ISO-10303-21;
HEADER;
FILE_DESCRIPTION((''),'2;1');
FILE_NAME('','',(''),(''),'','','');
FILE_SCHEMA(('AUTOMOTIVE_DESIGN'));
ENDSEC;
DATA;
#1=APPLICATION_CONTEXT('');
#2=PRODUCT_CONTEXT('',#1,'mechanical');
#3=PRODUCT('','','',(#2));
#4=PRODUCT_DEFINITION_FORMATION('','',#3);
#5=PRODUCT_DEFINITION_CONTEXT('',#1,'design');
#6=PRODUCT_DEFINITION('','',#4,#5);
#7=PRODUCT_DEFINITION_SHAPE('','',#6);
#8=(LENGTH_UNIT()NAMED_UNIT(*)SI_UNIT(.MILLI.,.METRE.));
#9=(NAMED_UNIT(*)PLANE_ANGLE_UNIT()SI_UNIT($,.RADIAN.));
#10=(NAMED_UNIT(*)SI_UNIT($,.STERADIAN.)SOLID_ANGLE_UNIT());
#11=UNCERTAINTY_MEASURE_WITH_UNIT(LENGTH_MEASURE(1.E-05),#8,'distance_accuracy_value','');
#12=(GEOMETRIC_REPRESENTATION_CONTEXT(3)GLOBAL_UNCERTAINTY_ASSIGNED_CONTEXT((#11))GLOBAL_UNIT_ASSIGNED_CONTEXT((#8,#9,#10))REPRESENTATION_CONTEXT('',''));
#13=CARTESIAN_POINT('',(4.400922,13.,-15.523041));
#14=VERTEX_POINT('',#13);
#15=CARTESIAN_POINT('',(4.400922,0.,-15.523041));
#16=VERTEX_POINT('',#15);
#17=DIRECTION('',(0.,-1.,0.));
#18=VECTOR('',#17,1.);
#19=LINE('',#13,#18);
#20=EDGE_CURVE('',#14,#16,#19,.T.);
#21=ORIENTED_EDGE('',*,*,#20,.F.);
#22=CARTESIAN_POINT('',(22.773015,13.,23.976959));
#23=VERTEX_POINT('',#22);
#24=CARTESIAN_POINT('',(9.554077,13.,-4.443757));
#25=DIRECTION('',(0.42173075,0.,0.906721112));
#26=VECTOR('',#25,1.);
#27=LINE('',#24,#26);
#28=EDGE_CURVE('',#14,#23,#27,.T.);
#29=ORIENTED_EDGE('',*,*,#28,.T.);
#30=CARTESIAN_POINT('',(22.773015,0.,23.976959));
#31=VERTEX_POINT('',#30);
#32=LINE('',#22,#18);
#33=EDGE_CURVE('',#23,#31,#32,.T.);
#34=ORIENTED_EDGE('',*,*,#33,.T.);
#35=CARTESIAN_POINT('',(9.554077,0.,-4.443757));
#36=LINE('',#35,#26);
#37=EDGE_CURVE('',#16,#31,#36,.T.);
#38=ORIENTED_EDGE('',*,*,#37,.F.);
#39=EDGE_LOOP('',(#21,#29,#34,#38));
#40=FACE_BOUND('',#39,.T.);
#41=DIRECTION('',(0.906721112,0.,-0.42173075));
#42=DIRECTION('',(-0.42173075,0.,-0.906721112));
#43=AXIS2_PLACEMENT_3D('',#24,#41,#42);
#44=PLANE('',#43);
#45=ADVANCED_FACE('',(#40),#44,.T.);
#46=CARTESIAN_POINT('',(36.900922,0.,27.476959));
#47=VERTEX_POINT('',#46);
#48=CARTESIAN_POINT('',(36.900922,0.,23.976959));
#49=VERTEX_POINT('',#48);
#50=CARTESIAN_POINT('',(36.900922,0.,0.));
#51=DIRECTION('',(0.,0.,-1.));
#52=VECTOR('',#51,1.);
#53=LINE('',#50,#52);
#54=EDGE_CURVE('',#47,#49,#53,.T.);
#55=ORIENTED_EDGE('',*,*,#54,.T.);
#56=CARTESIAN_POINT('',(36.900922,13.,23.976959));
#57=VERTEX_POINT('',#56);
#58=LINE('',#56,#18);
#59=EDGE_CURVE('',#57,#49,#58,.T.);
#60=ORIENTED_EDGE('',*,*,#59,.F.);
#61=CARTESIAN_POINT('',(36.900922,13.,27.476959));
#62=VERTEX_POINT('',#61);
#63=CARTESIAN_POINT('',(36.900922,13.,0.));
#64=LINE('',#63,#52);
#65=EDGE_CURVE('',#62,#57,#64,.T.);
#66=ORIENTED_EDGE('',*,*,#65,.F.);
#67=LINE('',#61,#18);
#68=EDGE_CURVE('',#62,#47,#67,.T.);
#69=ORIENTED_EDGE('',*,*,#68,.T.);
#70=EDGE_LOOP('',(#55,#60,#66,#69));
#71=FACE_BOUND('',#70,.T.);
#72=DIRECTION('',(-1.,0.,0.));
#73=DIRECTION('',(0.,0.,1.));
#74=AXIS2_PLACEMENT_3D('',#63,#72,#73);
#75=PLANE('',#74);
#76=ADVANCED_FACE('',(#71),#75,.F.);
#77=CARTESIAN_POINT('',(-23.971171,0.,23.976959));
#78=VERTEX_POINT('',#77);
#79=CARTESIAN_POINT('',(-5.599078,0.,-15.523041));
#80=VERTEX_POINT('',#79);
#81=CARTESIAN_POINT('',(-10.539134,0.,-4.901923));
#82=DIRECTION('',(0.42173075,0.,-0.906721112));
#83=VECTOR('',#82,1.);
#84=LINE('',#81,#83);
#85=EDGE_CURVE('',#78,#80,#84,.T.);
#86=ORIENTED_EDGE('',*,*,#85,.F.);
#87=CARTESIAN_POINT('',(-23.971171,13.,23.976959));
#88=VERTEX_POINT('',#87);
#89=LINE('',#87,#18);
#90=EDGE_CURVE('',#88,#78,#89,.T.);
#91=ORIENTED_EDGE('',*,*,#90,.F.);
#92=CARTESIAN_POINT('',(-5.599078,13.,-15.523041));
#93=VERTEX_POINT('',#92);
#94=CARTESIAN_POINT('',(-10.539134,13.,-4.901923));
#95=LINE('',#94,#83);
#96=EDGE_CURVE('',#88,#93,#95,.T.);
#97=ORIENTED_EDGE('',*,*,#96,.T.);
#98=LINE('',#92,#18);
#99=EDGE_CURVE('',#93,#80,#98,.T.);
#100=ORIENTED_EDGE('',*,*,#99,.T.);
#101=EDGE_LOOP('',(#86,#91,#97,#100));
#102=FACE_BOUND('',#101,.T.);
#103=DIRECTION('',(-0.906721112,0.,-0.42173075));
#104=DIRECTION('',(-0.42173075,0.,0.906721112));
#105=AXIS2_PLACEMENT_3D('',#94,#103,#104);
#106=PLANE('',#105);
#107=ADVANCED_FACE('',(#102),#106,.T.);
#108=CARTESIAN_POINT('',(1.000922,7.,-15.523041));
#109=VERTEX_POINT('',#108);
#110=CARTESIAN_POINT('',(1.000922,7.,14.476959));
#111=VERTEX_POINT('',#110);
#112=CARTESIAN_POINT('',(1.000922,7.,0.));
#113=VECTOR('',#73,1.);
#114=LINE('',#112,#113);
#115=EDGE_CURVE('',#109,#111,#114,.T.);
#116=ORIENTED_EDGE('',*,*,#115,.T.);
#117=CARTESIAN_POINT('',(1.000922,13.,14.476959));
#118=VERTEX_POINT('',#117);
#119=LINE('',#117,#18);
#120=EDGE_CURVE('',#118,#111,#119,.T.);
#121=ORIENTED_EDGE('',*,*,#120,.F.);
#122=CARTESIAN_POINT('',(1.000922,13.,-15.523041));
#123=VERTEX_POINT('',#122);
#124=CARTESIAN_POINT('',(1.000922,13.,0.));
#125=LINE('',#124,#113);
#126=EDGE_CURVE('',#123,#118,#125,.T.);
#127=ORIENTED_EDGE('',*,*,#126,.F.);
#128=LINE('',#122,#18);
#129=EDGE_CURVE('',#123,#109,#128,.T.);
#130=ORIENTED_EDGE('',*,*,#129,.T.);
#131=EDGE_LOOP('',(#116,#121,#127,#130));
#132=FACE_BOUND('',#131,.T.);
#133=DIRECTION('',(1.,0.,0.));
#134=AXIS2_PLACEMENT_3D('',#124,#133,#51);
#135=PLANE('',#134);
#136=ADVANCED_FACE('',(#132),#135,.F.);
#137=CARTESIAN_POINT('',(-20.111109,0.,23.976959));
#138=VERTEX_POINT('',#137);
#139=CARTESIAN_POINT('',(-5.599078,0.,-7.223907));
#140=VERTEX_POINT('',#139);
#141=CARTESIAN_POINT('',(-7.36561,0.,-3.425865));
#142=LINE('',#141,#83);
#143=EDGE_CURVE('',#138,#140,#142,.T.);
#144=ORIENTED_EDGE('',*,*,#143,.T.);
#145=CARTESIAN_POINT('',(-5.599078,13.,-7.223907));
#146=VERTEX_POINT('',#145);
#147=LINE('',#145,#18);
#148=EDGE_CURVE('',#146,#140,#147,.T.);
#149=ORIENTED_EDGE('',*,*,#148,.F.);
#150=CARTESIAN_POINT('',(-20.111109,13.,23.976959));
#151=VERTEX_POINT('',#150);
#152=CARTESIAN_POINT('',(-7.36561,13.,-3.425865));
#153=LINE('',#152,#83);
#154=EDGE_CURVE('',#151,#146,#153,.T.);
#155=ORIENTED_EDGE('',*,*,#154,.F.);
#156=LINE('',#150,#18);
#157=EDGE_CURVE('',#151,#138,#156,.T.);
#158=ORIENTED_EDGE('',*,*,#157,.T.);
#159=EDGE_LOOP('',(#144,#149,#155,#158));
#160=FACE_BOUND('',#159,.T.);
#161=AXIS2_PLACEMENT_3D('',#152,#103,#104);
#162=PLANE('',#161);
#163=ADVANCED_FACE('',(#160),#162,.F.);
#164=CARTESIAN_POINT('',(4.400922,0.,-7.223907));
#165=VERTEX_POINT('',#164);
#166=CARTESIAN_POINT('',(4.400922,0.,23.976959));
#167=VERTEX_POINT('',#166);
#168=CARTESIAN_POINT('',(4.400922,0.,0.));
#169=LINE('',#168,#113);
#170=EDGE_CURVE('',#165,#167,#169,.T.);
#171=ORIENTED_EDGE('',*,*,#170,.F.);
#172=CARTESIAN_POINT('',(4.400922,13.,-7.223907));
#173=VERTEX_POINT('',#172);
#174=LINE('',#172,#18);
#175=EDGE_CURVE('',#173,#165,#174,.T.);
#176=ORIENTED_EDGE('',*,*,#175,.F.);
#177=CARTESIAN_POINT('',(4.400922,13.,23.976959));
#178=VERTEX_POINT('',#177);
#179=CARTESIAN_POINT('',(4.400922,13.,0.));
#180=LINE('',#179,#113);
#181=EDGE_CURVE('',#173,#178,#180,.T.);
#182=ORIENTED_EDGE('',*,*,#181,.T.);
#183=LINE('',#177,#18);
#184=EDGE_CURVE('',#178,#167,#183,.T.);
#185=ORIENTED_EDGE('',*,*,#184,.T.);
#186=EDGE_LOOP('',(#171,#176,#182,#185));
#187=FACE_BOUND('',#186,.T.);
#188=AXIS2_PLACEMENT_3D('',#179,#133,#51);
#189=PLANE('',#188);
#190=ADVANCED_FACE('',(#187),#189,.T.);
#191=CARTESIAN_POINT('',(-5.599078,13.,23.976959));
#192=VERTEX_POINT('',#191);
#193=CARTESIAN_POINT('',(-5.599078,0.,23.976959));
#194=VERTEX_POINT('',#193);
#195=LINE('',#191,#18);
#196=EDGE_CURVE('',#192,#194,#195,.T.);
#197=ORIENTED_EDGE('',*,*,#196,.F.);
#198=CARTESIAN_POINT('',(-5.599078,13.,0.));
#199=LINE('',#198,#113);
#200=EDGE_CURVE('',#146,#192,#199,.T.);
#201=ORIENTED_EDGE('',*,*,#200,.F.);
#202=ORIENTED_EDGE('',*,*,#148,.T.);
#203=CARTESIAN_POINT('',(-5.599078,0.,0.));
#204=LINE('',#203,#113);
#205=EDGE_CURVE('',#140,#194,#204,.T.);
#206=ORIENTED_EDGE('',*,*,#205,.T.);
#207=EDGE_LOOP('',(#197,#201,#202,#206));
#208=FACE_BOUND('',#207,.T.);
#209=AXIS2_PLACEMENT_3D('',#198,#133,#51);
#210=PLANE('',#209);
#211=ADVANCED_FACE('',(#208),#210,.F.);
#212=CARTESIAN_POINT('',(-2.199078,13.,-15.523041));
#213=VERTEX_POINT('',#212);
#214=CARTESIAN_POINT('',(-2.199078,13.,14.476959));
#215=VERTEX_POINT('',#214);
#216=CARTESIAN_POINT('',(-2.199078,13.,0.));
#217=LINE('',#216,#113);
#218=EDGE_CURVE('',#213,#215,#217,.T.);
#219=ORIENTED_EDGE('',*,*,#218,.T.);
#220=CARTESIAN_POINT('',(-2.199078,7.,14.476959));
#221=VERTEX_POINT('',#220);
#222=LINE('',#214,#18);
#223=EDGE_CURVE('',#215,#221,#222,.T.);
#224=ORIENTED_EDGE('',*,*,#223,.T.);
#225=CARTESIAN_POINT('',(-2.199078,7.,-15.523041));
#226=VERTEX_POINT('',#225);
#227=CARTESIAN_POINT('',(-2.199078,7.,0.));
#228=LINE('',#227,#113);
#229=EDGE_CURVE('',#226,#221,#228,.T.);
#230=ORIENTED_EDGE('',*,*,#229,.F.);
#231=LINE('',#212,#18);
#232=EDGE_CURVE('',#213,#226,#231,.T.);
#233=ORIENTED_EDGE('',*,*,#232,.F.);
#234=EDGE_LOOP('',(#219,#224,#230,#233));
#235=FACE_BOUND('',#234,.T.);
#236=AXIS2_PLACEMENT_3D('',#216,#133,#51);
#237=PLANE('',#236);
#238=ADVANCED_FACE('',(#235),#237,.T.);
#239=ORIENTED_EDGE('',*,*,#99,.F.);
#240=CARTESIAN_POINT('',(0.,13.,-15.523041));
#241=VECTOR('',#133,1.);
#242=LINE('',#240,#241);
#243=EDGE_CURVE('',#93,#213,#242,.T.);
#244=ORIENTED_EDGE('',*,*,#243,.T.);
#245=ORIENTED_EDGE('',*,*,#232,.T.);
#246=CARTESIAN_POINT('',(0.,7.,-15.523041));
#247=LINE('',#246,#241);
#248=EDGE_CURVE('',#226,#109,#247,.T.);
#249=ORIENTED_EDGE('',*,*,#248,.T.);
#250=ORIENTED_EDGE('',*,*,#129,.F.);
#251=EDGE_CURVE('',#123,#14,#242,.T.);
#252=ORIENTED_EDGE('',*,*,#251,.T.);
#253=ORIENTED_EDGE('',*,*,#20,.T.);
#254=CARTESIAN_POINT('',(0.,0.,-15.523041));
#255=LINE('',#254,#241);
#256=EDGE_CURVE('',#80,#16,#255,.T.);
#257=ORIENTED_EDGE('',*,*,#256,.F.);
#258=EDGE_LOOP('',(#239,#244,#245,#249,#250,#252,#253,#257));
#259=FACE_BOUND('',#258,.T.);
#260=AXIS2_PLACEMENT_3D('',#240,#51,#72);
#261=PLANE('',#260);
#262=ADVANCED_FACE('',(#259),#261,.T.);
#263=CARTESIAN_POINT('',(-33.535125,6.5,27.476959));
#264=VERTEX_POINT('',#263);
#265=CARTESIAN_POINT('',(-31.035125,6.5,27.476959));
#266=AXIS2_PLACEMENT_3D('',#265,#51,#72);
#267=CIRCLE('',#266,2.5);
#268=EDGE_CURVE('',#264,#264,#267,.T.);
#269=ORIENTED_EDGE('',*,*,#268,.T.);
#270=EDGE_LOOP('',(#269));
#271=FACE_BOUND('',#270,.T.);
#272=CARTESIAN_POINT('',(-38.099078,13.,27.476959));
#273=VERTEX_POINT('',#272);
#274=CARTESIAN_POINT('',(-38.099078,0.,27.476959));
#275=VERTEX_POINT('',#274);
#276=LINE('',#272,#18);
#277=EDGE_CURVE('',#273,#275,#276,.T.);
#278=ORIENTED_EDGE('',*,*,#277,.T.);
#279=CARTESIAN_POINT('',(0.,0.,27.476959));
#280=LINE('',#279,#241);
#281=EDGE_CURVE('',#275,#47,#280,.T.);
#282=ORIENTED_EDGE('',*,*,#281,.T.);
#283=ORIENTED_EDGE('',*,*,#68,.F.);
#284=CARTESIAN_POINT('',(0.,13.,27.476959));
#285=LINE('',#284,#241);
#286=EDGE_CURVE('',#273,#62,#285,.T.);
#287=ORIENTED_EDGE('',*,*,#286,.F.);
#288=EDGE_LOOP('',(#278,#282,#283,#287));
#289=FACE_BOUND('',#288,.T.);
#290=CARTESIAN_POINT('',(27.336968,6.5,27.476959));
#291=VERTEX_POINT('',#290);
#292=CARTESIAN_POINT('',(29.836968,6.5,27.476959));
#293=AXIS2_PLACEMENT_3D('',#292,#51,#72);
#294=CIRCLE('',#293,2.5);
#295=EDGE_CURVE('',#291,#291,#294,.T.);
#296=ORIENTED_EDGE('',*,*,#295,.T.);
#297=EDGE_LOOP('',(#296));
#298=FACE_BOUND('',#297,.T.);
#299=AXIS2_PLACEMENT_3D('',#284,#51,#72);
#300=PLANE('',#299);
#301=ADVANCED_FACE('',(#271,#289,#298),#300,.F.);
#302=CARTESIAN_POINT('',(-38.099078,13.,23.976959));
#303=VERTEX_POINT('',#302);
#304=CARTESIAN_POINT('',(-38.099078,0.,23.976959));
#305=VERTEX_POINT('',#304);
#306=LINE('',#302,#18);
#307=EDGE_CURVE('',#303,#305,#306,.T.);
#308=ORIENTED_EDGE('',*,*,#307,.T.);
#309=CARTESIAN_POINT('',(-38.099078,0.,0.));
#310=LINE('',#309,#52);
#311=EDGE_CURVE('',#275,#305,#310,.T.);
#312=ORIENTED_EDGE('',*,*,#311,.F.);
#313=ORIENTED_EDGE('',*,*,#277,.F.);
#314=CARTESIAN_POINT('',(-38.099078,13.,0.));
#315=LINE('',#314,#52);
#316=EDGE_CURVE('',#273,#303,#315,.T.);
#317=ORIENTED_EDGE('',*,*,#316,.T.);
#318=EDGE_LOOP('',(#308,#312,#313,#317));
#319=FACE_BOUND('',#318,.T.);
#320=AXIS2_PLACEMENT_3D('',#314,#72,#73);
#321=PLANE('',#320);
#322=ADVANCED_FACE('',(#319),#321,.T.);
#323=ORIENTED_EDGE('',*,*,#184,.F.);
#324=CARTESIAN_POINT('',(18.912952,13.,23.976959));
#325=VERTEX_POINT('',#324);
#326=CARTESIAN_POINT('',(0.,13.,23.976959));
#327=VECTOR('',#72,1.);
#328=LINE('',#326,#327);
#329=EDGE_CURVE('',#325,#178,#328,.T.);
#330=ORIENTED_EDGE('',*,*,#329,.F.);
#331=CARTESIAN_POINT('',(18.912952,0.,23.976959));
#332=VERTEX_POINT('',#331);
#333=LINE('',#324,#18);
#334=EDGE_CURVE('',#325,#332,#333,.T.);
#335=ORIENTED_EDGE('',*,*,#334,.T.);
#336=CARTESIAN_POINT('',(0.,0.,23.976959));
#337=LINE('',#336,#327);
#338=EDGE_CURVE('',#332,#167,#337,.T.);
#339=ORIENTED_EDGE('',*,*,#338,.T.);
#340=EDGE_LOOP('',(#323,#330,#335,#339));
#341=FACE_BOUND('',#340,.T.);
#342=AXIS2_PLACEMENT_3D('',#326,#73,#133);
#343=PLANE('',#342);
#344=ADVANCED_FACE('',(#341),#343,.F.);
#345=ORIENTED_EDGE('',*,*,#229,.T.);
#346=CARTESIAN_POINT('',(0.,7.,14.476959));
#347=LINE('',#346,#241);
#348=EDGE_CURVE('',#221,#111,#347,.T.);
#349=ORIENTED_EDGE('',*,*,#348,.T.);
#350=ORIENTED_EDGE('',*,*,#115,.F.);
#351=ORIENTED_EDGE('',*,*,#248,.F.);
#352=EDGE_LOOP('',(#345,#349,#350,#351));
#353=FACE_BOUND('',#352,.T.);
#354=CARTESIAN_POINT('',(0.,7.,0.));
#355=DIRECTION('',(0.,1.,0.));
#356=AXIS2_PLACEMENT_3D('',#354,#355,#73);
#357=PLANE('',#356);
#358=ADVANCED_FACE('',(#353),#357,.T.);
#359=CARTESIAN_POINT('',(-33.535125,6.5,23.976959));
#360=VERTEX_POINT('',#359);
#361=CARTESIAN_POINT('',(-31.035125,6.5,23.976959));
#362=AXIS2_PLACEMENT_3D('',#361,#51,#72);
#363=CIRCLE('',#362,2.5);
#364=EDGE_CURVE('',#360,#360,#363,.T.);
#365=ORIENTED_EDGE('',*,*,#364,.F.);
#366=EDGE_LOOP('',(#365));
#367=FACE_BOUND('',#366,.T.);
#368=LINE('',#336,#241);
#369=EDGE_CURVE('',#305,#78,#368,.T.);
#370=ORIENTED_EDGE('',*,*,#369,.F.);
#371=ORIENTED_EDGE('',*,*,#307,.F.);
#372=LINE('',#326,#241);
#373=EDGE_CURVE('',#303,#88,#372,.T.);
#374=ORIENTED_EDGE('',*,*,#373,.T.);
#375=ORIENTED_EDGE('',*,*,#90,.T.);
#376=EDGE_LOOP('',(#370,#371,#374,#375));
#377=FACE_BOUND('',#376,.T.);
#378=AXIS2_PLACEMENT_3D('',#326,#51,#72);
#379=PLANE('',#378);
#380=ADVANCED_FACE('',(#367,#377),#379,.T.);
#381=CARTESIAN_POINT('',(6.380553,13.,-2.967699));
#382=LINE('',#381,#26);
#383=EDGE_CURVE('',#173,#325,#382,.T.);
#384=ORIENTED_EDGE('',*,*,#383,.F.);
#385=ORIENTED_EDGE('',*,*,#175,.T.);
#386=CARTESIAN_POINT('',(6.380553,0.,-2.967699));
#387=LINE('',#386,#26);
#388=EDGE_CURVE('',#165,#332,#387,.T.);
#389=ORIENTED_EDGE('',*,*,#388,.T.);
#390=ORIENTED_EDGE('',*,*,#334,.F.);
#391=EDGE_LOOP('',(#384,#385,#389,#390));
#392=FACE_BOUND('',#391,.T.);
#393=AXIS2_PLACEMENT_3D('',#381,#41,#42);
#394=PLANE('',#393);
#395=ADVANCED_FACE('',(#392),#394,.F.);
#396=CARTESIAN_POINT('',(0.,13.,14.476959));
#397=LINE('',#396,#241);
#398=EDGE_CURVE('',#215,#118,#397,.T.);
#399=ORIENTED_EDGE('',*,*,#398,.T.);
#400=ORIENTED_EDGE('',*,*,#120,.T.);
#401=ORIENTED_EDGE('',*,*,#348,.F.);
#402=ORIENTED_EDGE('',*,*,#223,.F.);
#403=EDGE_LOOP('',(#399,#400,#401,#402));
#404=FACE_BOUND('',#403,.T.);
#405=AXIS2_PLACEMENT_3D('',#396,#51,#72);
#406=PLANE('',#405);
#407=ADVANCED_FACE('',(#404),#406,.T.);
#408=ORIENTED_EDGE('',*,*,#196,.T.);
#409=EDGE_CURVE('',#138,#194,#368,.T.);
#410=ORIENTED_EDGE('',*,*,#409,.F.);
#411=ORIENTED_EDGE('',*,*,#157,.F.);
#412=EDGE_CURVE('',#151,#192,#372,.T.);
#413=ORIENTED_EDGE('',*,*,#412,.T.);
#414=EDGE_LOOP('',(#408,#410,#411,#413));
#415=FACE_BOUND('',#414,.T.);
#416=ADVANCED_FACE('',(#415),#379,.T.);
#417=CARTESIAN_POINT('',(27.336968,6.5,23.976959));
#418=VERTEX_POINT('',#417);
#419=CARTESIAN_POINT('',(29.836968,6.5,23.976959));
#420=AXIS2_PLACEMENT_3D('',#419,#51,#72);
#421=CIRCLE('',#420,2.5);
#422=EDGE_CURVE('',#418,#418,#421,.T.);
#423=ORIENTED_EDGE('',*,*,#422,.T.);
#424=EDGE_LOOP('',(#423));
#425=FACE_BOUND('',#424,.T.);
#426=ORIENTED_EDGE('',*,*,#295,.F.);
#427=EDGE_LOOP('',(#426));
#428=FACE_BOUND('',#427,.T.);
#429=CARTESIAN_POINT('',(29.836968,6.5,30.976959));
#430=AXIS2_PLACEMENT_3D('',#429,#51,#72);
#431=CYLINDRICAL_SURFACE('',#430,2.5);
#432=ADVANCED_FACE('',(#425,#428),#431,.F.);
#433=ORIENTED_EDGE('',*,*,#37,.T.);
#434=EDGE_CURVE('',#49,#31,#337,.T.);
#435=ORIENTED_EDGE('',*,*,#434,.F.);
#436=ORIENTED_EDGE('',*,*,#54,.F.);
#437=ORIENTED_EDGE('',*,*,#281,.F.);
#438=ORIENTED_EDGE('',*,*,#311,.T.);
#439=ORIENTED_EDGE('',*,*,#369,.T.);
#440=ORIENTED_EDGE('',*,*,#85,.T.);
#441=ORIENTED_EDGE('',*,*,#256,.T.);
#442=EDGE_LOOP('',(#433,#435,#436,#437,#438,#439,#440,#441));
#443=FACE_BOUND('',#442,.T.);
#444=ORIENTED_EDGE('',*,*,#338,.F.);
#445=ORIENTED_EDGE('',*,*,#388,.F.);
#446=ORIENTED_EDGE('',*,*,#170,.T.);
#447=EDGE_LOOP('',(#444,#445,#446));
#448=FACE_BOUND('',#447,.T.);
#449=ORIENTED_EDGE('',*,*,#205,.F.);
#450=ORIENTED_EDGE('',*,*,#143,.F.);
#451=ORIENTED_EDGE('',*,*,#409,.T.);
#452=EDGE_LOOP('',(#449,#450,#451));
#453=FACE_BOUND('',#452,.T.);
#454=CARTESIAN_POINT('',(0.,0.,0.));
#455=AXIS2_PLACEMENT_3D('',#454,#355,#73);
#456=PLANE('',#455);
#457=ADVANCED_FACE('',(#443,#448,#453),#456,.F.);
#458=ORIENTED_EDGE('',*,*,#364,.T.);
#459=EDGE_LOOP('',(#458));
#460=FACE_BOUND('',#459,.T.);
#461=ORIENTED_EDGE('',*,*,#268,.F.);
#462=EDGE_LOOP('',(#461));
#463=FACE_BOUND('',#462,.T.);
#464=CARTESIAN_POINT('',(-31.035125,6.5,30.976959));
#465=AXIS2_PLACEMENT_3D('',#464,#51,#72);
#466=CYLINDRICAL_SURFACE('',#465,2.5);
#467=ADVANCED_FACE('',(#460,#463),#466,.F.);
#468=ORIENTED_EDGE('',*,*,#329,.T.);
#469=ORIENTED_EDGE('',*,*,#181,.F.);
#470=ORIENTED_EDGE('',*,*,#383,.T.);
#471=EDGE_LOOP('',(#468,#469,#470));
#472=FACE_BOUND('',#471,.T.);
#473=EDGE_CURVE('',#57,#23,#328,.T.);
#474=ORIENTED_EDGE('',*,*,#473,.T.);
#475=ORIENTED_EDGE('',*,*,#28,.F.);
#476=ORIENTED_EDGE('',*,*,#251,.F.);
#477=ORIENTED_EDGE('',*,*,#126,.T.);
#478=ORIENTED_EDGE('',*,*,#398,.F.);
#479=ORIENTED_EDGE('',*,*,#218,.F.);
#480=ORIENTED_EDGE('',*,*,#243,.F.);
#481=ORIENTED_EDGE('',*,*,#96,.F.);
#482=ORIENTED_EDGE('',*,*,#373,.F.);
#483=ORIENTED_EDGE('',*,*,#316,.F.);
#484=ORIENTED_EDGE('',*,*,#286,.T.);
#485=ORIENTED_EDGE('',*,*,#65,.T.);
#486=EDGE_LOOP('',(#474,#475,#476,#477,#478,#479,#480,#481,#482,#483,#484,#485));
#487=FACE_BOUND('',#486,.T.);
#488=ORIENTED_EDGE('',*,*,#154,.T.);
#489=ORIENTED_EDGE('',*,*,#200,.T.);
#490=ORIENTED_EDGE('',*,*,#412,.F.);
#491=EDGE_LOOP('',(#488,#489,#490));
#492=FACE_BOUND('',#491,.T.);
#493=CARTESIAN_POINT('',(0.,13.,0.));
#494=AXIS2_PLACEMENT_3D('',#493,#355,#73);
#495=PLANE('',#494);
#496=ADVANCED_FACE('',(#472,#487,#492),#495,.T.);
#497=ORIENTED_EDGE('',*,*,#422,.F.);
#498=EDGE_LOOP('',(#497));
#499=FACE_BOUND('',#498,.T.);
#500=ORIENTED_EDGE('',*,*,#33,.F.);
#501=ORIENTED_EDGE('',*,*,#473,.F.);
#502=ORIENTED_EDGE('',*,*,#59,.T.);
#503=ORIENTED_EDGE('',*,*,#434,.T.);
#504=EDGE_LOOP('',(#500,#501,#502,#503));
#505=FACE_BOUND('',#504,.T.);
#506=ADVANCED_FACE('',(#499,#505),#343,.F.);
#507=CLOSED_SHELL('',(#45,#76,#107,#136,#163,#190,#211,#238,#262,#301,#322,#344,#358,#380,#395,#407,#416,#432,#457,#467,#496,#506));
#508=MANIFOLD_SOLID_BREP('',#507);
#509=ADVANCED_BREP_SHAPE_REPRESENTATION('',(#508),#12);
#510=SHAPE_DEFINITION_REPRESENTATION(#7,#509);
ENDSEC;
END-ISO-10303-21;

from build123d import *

# Parameters (mm, degrees)
BOSS_EXTRUDE1_DEPTH = 13
SKETCH1_6_W         = 3.2
SKETCH1_6_H         = 30
BOSS_EXTRUDE2_DEPTH = 7
SKETCH2_R           = 2.5
CUT_EXTRUDE1_DEPTH  = 7


with BuildPart() as part:
    # Sketch1 → Boss-Extrude1 (new body)
    with BuildSketch(Plane(origin=(0, 0, 0), x_dir=(1, 0, 0), z_dir=(0, 1, 0))):
        Polygon((36.900921659, -27.476958525), (36.900921659, -23.976958525), (22.773014682, -23.976958525), (4.400921659, 15.523041475), (1.000921659, 15.523041475), (1.000921659, -14.476958525), (-2.199078341, -14.476958525), (-2.199078341, 15.523041475), (-5.599078341, 15.523041475), (-23.971171364, -23.976958525), (-38.099078341, -23.976958525), (-38.099078341, -27.476958525), align=None)
        Polygon((-5.599078341, -23.976958525), (-20.111109043, -23.976958525), (-5.599078341, 7.223907484), align=None, mode=Mode.SUBTRACT)
        Polygon((4.400921659, -23.976958525), (4.400921659, 7.223907484), (18.912952361, -23.976958525), align=None, mode=Mode.SUBTRACT)
    extrude(amount=BOSS_EXTRUDE1_DEPTH)

    # Sketch1<6> → Boss-Extrude2 (add)
    with BuildSketch(Plane(origin=(0, 0, 0), x_dir=(1, 0, 0), z_dir=(0, 1, 0))):
        with Locations((-0.599078341, 0.523041475)):
            Rectangle(SKETCH1_6_W, SKETCH1_6_H)
    extrude(amount=BOSS_EXTRUDE2_DEPTH)

    # Sketch2 → Cut-Extrude1 (cut)
    with BuildSketch(Plane(origin=(0, 0, 23.976958525), x_dir=(-1, 0, 0), z_dir=(0, 0, -1))):
        with Locations((31.035124853, 6.5)):
            Circle(SKETCH2_R)
        with Locations((-29.836968171, 6.5)):
            Circle(SKETCH2_R)
    extrude(amount=-CUT_EXTRUDE1_DEPTH, mode=Mode.SUBTRACT)


solid = part.part
